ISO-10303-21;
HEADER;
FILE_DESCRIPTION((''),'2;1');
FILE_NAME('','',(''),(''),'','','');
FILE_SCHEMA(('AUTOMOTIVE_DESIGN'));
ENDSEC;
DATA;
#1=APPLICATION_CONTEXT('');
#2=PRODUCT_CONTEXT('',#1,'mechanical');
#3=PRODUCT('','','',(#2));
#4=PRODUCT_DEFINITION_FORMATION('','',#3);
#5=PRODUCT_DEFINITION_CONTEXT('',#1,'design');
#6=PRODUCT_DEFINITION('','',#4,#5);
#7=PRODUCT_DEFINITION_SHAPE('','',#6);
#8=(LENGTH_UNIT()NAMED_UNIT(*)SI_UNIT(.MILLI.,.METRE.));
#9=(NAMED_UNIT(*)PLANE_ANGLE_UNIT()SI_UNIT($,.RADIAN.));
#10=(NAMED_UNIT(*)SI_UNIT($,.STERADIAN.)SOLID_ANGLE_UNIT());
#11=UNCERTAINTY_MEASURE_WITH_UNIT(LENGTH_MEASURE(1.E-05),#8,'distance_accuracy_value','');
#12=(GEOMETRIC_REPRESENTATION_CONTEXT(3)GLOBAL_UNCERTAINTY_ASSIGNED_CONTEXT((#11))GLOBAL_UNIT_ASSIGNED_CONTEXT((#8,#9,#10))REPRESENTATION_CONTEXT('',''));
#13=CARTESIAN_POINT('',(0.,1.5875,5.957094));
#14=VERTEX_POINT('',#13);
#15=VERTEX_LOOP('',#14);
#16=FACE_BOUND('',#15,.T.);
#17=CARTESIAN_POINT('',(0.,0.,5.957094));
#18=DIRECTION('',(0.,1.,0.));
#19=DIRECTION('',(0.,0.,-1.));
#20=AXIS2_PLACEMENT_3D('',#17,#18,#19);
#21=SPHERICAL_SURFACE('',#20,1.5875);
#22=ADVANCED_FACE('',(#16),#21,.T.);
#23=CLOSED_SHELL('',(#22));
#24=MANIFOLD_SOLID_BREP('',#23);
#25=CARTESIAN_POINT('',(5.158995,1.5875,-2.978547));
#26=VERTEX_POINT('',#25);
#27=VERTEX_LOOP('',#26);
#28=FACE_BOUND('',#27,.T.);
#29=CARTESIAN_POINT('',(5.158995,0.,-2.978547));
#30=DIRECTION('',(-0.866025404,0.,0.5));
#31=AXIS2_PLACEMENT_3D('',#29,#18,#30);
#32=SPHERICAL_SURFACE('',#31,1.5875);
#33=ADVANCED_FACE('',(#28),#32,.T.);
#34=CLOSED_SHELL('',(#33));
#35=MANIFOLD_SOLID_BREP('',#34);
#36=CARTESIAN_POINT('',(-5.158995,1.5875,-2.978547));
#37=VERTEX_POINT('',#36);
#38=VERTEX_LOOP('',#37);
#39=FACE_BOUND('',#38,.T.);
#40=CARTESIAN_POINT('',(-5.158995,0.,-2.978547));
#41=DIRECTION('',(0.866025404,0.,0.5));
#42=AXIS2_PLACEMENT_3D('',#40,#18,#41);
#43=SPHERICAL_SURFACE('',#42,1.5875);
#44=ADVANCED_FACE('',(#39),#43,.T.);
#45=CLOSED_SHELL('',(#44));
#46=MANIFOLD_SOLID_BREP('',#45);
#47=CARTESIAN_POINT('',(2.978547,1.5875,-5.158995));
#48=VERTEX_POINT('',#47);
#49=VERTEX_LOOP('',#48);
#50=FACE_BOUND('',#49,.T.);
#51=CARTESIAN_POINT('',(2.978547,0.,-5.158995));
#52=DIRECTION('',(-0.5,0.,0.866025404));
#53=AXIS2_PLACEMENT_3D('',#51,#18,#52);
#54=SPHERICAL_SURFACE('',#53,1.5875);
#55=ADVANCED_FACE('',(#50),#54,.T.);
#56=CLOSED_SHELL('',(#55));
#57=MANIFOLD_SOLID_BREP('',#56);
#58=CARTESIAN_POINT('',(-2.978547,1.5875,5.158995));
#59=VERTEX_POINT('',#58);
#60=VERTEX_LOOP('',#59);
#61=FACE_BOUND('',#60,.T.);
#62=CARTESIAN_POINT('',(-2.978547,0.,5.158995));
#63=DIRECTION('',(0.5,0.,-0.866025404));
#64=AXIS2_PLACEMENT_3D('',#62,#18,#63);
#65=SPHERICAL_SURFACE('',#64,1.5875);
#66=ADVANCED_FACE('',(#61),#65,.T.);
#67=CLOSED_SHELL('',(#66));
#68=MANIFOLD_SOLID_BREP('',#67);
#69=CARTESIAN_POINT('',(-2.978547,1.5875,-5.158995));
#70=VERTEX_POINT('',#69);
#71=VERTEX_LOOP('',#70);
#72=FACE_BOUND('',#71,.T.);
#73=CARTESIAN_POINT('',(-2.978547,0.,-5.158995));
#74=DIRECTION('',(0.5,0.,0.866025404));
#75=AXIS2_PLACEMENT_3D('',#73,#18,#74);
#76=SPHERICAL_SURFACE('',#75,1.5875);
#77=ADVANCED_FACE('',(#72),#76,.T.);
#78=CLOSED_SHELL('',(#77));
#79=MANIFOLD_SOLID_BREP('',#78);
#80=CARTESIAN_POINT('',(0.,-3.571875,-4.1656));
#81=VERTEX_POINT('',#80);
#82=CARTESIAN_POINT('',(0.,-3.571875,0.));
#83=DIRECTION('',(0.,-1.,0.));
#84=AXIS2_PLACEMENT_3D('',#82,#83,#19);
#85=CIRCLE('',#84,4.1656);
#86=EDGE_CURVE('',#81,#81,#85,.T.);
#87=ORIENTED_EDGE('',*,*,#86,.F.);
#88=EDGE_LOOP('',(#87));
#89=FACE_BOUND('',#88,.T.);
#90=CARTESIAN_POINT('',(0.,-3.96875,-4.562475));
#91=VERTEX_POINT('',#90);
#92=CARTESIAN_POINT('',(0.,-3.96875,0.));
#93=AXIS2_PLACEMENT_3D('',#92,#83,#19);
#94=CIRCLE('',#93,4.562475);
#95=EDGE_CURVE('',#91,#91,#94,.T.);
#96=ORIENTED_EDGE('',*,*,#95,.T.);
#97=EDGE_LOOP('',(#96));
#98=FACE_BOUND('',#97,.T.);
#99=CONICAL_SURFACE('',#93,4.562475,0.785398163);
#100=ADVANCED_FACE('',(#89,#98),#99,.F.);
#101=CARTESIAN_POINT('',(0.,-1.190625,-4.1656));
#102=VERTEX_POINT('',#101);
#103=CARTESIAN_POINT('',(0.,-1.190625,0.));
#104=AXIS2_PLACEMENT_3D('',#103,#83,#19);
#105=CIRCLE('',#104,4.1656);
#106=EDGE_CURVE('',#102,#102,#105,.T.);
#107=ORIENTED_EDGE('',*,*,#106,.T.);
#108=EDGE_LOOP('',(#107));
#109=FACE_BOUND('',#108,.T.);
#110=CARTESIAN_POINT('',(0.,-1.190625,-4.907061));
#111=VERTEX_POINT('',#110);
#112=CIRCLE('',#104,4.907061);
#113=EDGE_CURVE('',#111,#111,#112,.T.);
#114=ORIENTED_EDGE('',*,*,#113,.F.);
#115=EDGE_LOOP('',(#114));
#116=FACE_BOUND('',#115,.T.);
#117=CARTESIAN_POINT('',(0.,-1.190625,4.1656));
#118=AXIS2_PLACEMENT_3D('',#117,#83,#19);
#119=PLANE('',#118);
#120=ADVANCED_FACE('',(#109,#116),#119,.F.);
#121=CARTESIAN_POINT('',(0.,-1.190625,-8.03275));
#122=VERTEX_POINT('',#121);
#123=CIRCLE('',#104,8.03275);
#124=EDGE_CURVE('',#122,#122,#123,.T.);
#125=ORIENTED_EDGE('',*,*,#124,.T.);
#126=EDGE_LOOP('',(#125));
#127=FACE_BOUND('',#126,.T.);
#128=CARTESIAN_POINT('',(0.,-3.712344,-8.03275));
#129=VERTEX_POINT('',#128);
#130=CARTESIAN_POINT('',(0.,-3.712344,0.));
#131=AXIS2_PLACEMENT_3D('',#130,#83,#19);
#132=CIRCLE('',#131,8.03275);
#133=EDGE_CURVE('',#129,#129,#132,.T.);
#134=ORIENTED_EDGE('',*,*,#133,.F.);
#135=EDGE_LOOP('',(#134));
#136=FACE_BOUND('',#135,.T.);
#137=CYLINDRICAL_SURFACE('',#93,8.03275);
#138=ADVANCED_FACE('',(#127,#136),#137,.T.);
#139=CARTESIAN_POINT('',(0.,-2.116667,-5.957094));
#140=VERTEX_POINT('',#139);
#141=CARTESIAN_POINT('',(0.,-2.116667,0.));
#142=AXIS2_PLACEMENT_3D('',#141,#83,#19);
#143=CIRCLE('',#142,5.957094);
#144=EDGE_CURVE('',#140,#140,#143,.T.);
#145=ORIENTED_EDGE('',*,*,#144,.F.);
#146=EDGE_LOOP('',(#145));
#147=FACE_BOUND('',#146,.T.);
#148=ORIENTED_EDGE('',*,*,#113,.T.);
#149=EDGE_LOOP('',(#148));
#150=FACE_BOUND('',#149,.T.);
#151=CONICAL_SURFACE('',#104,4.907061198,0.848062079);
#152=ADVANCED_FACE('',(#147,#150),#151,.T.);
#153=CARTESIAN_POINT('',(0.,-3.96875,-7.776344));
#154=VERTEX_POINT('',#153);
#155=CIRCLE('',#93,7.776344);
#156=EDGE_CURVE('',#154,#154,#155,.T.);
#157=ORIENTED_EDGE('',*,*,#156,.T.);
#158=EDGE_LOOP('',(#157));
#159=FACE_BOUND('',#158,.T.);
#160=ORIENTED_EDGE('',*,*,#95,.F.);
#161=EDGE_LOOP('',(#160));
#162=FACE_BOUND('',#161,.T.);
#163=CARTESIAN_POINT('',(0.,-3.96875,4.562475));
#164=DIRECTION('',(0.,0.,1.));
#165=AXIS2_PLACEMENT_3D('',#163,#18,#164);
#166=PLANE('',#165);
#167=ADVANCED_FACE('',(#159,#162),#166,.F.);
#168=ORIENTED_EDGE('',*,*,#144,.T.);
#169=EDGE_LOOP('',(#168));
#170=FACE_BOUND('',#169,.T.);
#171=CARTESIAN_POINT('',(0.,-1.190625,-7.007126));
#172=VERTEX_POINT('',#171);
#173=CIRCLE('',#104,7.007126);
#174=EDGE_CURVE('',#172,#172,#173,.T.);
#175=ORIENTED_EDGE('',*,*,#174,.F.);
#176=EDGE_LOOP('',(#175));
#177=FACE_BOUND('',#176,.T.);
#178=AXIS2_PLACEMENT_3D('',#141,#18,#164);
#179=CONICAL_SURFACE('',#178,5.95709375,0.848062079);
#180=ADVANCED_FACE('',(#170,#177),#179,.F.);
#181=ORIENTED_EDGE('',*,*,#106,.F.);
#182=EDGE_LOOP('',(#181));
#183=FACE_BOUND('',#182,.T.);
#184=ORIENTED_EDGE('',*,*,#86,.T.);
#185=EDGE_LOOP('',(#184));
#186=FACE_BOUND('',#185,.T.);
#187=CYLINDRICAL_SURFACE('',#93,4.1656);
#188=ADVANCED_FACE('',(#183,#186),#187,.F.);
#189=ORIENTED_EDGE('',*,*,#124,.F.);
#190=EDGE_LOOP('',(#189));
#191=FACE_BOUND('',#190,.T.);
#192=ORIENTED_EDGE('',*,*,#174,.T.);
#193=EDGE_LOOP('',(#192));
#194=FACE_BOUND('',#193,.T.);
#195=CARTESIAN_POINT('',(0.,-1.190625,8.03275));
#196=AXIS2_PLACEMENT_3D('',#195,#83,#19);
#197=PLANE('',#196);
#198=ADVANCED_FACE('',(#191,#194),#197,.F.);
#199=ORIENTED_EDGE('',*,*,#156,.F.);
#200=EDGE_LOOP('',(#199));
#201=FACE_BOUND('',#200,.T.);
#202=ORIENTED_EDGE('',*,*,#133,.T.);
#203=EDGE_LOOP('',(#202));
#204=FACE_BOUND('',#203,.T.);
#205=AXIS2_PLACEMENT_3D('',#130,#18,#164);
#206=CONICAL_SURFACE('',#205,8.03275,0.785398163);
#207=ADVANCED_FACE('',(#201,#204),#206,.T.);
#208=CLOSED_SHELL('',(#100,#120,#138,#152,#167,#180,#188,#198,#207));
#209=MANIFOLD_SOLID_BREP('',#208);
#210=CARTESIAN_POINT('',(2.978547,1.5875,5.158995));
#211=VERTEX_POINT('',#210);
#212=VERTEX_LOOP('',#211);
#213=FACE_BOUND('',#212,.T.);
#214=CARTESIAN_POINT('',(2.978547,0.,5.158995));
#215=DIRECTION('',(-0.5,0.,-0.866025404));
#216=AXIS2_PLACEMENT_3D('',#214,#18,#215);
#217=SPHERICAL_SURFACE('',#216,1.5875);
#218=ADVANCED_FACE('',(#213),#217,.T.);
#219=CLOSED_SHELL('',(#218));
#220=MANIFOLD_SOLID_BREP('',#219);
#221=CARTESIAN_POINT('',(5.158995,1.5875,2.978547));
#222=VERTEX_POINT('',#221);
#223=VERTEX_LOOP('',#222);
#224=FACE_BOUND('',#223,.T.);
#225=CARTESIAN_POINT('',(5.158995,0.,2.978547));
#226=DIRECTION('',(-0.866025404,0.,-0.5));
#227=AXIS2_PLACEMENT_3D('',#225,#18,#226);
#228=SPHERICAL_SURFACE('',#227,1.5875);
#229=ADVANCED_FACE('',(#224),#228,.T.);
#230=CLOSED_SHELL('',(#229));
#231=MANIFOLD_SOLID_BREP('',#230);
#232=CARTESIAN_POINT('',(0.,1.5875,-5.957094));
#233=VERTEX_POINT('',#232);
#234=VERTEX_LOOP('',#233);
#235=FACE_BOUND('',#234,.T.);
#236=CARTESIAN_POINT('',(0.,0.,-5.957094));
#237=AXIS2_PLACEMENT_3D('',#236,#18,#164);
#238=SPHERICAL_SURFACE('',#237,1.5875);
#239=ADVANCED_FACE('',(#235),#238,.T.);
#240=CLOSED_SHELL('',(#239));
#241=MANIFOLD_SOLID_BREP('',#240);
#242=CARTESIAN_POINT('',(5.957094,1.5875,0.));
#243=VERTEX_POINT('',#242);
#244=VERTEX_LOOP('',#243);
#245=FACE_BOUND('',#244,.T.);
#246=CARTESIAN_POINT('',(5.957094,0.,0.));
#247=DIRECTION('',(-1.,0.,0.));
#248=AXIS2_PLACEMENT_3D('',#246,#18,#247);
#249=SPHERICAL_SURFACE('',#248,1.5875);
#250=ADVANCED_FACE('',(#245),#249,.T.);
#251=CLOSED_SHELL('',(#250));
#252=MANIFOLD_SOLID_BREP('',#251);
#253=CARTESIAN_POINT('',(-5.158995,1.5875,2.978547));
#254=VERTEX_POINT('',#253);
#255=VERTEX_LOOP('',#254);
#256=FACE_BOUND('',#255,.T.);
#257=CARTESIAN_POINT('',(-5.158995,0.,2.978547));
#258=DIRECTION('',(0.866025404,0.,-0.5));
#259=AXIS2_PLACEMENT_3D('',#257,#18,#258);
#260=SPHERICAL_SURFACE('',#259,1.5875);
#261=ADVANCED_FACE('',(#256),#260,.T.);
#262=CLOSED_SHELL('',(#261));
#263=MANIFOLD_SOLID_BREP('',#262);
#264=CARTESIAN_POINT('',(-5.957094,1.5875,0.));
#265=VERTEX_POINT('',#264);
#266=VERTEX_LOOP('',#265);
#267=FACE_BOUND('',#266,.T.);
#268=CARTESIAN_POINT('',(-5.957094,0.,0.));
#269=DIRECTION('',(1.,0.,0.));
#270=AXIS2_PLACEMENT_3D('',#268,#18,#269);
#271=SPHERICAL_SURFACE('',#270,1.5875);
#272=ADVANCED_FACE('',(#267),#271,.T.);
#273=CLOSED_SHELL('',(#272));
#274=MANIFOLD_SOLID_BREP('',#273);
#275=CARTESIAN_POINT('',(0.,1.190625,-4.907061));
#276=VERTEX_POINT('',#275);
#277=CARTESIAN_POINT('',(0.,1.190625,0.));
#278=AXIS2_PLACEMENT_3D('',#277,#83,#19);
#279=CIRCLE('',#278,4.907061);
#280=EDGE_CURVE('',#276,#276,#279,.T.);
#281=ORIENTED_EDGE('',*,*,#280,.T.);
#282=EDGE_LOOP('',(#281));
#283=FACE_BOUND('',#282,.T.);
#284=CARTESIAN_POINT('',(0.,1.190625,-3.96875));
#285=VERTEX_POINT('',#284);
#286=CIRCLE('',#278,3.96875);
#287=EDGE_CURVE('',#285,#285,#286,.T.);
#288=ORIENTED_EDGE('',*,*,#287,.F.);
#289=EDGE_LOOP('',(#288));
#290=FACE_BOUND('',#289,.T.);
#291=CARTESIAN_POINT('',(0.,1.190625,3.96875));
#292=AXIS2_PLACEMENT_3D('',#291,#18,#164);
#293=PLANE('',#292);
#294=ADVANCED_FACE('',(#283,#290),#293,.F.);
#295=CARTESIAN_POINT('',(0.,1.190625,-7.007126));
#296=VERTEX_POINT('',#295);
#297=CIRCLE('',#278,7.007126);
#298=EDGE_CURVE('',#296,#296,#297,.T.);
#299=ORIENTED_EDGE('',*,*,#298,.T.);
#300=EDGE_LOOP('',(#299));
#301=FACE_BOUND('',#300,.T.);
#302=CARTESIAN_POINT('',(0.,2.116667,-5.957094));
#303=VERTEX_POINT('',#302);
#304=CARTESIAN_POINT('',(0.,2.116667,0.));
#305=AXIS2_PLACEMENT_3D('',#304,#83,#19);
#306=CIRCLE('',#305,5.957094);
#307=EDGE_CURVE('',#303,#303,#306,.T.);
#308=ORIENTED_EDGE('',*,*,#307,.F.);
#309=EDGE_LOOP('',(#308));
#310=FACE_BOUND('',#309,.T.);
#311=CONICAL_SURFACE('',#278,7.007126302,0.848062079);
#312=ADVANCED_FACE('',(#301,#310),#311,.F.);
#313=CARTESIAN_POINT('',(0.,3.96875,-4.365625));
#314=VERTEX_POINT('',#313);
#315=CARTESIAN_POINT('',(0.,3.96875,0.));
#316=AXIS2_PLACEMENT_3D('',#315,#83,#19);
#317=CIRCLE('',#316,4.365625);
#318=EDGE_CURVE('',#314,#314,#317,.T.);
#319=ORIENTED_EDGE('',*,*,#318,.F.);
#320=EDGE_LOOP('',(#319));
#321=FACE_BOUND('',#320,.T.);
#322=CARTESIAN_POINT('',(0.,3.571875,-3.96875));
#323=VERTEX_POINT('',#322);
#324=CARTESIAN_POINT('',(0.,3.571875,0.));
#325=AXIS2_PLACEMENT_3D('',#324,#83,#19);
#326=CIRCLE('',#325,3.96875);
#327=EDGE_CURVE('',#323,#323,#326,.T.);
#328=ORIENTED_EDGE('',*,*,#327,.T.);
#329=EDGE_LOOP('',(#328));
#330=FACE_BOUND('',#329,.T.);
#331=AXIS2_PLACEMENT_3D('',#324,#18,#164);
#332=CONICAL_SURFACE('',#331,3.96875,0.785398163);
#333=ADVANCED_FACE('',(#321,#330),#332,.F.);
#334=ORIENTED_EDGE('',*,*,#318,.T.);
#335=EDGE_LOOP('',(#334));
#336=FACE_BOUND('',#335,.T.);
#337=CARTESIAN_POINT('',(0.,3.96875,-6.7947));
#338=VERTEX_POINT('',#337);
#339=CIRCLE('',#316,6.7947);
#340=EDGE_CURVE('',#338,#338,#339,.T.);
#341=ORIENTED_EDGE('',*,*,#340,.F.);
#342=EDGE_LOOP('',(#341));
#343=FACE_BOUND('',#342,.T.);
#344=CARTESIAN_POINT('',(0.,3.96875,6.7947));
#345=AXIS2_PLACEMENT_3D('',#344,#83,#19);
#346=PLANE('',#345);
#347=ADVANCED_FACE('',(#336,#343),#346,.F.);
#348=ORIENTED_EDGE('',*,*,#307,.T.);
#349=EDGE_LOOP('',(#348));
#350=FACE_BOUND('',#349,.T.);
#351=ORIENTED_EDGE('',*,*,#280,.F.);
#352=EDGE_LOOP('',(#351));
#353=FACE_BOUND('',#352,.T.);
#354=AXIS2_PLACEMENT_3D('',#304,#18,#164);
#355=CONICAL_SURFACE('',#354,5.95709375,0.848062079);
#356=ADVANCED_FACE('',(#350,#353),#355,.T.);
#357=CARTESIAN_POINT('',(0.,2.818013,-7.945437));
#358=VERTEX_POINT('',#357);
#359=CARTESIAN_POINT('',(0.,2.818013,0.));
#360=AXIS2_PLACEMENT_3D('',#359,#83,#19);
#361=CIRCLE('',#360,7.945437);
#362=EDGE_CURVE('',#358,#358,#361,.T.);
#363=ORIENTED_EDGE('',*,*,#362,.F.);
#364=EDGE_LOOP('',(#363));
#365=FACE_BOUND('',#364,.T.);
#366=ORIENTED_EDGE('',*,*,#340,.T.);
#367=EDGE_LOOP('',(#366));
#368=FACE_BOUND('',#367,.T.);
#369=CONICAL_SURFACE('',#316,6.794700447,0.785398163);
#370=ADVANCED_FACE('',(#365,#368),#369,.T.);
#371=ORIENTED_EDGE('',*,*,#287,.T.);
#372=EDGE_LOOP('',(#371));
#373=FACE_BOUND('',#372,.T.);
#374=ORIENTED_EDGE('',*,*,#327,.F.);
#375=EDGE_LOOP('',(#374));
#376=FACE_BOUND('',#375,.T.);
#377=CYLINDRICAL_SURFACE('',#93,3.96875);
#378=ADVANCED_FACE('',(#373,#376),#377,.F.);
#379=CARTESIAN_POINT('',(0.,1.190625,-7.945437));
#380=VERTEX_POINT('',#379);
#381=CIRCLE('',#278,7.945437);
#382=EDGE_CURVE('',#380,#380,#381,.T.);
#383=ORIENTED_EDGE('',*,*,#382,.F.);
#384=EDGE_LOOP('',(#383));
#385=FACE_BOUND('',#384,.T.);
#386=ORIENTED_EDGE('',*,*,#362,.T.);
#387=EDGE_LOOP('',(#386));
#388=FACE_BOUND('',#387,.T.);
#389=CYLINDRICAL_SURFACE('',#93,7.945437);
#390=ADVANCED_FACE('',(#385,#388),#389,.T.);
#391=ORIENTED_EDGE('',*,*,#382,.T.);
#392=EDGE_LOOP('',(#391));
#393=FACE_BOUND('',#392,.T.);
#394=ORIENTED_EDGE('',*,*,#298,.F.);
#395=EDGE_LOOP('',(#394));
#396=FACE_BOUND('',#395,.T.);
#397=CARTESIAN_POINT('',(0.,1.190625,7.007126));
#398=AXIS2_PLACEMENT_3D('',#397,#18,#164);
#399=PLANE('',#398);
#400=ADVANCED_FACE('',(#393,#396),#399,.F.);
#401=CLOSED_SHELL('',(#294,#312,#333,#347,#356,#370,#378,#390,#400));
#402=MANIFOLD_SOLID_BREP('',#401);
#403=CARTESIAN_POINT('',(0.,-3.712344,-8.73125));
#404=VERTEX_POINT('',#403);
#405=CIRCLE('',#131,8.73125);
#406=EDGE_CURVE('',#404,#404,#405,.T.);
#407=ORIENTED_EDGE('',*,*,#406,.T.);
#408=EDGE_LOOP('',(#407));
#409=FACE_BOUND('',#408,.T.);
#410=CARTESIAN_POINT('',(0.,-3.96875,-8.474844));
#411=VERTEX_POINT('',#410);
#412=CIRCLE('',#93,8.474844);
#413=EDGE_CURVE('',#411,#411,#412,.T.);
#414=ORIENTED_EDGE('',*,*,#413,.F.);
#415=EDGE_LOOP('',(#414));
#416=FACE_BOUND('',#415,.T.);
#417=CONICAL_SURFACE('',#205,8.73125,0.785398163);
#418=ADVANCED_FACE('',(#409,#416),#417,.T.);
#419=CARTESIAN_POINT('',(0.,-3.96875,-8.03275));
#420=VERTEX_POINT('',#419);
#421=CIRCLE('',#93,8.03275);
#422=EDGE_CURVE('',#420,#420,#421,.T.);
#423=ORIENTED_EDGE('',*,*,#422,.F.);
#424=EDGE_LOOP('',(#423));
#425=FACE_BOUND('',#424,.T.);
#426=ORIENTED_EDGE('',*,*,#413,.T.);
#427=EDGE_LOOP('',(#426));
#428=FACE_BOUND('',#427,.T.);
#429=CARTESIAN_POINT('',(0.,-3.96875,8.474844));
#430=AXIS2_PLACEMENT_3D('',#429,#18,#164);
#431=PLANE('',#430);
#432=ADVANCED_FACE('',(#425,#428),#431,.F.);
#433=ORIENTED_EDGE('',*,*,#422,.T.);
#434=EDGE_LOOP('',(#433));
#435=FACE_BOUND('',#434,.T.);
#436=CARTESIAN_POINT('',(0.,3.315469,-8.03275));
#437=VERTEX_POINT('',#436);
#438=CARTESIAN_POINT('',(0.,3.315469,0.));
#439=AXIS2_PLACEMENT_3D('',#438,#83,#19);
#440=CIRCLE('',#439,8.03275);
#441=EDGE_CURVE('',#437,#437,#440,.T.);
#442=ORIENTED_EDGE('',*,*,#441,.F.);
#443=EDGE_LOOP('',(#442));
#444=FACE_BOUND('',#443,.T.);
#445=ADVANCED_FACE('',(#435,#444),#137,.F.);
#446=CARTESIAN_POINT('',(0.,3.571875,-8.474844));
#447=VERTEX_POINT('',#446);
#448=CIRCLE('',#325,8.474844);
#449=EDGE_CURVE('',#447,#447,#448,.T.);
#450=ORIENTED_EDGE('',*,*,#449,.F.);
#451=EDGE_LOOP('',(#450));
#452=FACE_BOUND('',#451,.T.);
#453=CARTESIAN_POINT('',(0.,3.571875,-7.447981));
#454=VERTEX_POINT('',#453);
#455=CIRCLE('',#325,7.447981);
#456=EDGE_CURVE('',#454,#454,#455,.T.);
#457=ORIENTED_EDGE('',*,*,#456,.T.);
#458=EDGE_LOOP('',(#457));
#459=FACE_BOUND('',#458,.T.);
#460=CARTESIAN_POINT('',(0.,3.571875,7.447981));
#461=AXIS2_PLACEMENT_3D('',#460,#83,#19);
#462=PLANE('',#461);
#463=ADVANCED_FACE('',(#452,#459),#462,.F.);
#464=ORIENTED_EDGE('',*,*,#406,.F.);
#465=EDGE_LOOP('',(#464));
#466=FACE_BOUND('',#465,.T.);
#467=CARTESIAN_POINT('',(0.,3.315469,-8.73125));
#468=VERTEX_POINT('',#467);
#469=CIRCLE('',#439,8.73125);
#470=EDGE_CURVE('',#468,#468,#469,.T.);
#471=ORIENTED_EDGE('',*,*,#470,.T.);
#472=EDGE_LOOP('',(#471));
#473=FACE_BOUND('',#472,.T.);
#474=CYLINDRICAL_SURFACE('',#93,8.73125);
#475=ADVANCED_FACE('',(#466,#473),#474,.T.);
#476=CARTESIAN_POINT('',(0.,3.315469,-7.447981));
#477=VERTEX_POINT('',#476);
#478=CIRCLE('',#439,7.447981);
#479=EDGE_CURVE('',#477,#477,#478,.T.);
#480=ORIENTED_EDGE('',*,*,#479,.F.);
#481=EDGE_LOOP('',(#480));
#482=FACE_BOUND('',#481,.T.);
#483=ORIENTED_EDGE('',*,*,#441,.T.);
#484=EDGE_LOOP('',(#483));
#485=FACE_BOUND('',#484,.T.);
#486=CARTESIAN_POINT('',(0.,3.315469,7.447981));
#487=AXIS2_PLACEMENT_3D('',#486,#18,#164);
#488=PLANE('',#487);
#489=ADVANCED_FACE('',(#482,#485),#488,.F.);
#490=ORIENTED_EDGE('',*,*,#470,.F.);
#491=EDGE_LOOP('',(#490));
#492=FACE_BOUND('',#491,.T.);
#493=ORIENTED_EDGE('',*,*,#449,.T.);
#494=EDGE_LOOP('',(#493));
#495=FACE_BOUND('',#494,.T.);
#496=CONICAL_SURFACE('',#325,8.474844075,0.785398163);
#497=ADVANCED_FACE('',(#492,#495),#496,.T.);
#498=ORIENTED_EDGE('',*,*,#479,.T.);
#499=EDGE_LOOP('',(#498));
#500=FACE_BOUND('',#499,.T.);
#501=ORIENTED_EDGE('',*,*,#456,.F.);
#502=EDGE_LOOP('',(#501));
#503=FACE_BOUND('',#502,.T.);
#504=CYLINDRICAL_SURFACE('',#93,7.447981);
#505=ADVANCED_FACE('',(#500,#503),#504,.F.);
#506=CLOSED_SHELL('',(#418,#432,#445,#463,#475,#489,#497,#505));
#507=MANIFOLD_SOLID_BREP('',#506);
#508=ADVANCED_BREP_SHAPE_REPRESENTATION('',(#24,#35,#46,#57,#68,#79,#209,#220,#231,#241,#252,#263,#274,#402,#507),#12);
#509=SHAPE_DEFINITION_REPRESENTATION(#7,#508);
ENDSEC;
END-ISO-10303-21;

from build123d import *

# Parameters (mm, degrees)
CIRPATTERN1_COUNT = 12


with BuildPart() as part:
    # Sketch7 → Revolve4 (revolve)
    with BuildSketch(Plane(origin=(0, 0, 0), x_dir=(0, 0, -1), z_dir=(1, 0, 0))):
        Polygon((-6.794700447, 3.96875), (-4.365625, 3.96875), (-3.96875, 3.571875), (-3.96875, 1.190625), (-4.907061198, 1.190625), (-5.95709375, 2.116666667), (-7.007126302, 1.190625), (-7.9454375, 1.190625), (-7.9454375, 2.818012947), align=None)
        Polygon((-4.1656, -1.190625), (-4.907061198, -1.190625), (-5.95709375, -2.116666667), (-7.007126302, -1.190625), (-8.03275, -1.190625), (-8.03275, -3.712344075), (-7.776344075, -3.96875), (-4.562475, -3.96875), (-4.1656, -3.571875), align=None)
    revolve(axis=Axis((0, -3.96875, 0), (0, 1, 0)))


with BuildPart() as body_2:
    # Sketch3 → Revolve2 (revolve)
    with BuildSketch(Plane(origin=(0, 0, 0), x_dir=(0, 0, -1), z_dir=(1, 0, 0))):
        with BuildLine():
            Line((-5.95709375, 1.5875), (-5.95709375, -1.5875))
            ThreePointArc((-5.95709375, -1.5875), (-7.54459375, 0), (-5.95709375, 1.5875))
        make_face()
    revolve(axis=Axis((0, 1.5875, 5.95709375), (0, -1, 0)))


with BuildPart() as cirpattern1_1:
    # CirPattern1: pattern copy
    add(body_2.part.rotate(Axis((0, 0, 0), (0, 1, 0)), 1 * 360 / CIRPATTERN1_COUNT))


with BuildPart() as cirpattern1_2:
    # CirPattern1: pattern copy
    add(body_2.part.rotate(Axis((0, 0, 0), (0, 1, 0)), 2 * 360 / CIRPATTERN1_COUNT))


with BuildPart() as cirpattern1_3:
    # CirPattern1: pattern copy
    add(body_2.part.rotate(Axis((0, 0, 0), (0, 1, 0)), 3 * 360 / CIRPATTERN1_COUNT))


with BuildPart() as cirpattern1_4:
    # CirPattern1: pattern copy
    add(body_2.part.rotate(Axis((0, 0, 0), (0, 1, 0)), 4 * 360 / CIRPATTERN1_COUNT))


with BuildPart() as cirpattern1_5:
    # CirPattern1: pattern copy
    add(body_2.part.rotate(Axis((0, 0, 0), (0, 1, 0)), 5 * 360 / CIRPATTERN1_COUNT))


with BuildPart() as cirpattern1_6:
    # CirPattern1: pattern copy
    add(body_2.part.rotate(Axis((0, 0, 0), (0, 1, 0)), 6 * 360 / CIRPATTERN1_COUNT))


with BuildPart() as cirpattern1_7:
    # CirPattern1: pattern copy
    add(body_2.part.rotate(Axis((0, 0, 0), (0, 1, 0)), 7 * 360 / CIRPATTERN1_COUNT))


with BuildPart() as cirpattern1_8:
    # CirPattern1: pattern copy
    add(body_2.part.rotate(Axis((0, 0, 0), (0, 1, 0)), 8 * 360 / CIRPATTERN1_COUNT))


with BuildPart() as cirpattern1_9:
    # CirPattern1: pattern copy
    add(body_2.part.rotate(Axis((0, 0, 0), (0, 1, 0)), 9 * 360 / CIRPATTERN1_COUNT))


with BuildPart() as cirpattern1_10:
    # CirPattern1: pattern copy
    add(body_2.part.rotate(Axis((0, 0, 0), (0, 1, 0)), 10 * 360 / CIRPATTERN1_COUNT))


with BuildPart() as cirpattern1_11:
    # CirPattern1: pattern copy
    add(body_2.part.rotate(Axis((0, 0, 0), (0, 1, 0)), 11 * 360 / CIRPATTERN1_COUNT))


with BuildPart() as body_14:
    # Sketch4 → Revolve3 (revolve)
    with BuildSketch(Plane(origin=(0, 0, 0), x_dir=(0, 0, -1), z_dir=(1, 0, 0))):
        Polygon((-7.447981372, 3.315469075), (-8.03275, 3.315469075), (-8.03275, -3.96875), (-8.474844075, -3.96875), (-8.73125, -3.712344075), (-8.73125, 3.315469075), (-8.474844075, 3.571875), (-7.447981372, 3.571875), align=None)
    revolve(axis=Axis((0, -3.96875, 0), (0, 1, 0)))


solid = Compound([part.part, body_2.part, cirpattern1_1.part, cirpattern1_2.part, cirpattern1_3.part, cirpattern1_4.part, cirpattern1_5.part, cirpattern1_6.part, cirpattern1_7.part, cirpattern1_8.part, cirpattern1_9.part, cirpattern1_10.part, cirpattern1_11.part, body_14.part])
